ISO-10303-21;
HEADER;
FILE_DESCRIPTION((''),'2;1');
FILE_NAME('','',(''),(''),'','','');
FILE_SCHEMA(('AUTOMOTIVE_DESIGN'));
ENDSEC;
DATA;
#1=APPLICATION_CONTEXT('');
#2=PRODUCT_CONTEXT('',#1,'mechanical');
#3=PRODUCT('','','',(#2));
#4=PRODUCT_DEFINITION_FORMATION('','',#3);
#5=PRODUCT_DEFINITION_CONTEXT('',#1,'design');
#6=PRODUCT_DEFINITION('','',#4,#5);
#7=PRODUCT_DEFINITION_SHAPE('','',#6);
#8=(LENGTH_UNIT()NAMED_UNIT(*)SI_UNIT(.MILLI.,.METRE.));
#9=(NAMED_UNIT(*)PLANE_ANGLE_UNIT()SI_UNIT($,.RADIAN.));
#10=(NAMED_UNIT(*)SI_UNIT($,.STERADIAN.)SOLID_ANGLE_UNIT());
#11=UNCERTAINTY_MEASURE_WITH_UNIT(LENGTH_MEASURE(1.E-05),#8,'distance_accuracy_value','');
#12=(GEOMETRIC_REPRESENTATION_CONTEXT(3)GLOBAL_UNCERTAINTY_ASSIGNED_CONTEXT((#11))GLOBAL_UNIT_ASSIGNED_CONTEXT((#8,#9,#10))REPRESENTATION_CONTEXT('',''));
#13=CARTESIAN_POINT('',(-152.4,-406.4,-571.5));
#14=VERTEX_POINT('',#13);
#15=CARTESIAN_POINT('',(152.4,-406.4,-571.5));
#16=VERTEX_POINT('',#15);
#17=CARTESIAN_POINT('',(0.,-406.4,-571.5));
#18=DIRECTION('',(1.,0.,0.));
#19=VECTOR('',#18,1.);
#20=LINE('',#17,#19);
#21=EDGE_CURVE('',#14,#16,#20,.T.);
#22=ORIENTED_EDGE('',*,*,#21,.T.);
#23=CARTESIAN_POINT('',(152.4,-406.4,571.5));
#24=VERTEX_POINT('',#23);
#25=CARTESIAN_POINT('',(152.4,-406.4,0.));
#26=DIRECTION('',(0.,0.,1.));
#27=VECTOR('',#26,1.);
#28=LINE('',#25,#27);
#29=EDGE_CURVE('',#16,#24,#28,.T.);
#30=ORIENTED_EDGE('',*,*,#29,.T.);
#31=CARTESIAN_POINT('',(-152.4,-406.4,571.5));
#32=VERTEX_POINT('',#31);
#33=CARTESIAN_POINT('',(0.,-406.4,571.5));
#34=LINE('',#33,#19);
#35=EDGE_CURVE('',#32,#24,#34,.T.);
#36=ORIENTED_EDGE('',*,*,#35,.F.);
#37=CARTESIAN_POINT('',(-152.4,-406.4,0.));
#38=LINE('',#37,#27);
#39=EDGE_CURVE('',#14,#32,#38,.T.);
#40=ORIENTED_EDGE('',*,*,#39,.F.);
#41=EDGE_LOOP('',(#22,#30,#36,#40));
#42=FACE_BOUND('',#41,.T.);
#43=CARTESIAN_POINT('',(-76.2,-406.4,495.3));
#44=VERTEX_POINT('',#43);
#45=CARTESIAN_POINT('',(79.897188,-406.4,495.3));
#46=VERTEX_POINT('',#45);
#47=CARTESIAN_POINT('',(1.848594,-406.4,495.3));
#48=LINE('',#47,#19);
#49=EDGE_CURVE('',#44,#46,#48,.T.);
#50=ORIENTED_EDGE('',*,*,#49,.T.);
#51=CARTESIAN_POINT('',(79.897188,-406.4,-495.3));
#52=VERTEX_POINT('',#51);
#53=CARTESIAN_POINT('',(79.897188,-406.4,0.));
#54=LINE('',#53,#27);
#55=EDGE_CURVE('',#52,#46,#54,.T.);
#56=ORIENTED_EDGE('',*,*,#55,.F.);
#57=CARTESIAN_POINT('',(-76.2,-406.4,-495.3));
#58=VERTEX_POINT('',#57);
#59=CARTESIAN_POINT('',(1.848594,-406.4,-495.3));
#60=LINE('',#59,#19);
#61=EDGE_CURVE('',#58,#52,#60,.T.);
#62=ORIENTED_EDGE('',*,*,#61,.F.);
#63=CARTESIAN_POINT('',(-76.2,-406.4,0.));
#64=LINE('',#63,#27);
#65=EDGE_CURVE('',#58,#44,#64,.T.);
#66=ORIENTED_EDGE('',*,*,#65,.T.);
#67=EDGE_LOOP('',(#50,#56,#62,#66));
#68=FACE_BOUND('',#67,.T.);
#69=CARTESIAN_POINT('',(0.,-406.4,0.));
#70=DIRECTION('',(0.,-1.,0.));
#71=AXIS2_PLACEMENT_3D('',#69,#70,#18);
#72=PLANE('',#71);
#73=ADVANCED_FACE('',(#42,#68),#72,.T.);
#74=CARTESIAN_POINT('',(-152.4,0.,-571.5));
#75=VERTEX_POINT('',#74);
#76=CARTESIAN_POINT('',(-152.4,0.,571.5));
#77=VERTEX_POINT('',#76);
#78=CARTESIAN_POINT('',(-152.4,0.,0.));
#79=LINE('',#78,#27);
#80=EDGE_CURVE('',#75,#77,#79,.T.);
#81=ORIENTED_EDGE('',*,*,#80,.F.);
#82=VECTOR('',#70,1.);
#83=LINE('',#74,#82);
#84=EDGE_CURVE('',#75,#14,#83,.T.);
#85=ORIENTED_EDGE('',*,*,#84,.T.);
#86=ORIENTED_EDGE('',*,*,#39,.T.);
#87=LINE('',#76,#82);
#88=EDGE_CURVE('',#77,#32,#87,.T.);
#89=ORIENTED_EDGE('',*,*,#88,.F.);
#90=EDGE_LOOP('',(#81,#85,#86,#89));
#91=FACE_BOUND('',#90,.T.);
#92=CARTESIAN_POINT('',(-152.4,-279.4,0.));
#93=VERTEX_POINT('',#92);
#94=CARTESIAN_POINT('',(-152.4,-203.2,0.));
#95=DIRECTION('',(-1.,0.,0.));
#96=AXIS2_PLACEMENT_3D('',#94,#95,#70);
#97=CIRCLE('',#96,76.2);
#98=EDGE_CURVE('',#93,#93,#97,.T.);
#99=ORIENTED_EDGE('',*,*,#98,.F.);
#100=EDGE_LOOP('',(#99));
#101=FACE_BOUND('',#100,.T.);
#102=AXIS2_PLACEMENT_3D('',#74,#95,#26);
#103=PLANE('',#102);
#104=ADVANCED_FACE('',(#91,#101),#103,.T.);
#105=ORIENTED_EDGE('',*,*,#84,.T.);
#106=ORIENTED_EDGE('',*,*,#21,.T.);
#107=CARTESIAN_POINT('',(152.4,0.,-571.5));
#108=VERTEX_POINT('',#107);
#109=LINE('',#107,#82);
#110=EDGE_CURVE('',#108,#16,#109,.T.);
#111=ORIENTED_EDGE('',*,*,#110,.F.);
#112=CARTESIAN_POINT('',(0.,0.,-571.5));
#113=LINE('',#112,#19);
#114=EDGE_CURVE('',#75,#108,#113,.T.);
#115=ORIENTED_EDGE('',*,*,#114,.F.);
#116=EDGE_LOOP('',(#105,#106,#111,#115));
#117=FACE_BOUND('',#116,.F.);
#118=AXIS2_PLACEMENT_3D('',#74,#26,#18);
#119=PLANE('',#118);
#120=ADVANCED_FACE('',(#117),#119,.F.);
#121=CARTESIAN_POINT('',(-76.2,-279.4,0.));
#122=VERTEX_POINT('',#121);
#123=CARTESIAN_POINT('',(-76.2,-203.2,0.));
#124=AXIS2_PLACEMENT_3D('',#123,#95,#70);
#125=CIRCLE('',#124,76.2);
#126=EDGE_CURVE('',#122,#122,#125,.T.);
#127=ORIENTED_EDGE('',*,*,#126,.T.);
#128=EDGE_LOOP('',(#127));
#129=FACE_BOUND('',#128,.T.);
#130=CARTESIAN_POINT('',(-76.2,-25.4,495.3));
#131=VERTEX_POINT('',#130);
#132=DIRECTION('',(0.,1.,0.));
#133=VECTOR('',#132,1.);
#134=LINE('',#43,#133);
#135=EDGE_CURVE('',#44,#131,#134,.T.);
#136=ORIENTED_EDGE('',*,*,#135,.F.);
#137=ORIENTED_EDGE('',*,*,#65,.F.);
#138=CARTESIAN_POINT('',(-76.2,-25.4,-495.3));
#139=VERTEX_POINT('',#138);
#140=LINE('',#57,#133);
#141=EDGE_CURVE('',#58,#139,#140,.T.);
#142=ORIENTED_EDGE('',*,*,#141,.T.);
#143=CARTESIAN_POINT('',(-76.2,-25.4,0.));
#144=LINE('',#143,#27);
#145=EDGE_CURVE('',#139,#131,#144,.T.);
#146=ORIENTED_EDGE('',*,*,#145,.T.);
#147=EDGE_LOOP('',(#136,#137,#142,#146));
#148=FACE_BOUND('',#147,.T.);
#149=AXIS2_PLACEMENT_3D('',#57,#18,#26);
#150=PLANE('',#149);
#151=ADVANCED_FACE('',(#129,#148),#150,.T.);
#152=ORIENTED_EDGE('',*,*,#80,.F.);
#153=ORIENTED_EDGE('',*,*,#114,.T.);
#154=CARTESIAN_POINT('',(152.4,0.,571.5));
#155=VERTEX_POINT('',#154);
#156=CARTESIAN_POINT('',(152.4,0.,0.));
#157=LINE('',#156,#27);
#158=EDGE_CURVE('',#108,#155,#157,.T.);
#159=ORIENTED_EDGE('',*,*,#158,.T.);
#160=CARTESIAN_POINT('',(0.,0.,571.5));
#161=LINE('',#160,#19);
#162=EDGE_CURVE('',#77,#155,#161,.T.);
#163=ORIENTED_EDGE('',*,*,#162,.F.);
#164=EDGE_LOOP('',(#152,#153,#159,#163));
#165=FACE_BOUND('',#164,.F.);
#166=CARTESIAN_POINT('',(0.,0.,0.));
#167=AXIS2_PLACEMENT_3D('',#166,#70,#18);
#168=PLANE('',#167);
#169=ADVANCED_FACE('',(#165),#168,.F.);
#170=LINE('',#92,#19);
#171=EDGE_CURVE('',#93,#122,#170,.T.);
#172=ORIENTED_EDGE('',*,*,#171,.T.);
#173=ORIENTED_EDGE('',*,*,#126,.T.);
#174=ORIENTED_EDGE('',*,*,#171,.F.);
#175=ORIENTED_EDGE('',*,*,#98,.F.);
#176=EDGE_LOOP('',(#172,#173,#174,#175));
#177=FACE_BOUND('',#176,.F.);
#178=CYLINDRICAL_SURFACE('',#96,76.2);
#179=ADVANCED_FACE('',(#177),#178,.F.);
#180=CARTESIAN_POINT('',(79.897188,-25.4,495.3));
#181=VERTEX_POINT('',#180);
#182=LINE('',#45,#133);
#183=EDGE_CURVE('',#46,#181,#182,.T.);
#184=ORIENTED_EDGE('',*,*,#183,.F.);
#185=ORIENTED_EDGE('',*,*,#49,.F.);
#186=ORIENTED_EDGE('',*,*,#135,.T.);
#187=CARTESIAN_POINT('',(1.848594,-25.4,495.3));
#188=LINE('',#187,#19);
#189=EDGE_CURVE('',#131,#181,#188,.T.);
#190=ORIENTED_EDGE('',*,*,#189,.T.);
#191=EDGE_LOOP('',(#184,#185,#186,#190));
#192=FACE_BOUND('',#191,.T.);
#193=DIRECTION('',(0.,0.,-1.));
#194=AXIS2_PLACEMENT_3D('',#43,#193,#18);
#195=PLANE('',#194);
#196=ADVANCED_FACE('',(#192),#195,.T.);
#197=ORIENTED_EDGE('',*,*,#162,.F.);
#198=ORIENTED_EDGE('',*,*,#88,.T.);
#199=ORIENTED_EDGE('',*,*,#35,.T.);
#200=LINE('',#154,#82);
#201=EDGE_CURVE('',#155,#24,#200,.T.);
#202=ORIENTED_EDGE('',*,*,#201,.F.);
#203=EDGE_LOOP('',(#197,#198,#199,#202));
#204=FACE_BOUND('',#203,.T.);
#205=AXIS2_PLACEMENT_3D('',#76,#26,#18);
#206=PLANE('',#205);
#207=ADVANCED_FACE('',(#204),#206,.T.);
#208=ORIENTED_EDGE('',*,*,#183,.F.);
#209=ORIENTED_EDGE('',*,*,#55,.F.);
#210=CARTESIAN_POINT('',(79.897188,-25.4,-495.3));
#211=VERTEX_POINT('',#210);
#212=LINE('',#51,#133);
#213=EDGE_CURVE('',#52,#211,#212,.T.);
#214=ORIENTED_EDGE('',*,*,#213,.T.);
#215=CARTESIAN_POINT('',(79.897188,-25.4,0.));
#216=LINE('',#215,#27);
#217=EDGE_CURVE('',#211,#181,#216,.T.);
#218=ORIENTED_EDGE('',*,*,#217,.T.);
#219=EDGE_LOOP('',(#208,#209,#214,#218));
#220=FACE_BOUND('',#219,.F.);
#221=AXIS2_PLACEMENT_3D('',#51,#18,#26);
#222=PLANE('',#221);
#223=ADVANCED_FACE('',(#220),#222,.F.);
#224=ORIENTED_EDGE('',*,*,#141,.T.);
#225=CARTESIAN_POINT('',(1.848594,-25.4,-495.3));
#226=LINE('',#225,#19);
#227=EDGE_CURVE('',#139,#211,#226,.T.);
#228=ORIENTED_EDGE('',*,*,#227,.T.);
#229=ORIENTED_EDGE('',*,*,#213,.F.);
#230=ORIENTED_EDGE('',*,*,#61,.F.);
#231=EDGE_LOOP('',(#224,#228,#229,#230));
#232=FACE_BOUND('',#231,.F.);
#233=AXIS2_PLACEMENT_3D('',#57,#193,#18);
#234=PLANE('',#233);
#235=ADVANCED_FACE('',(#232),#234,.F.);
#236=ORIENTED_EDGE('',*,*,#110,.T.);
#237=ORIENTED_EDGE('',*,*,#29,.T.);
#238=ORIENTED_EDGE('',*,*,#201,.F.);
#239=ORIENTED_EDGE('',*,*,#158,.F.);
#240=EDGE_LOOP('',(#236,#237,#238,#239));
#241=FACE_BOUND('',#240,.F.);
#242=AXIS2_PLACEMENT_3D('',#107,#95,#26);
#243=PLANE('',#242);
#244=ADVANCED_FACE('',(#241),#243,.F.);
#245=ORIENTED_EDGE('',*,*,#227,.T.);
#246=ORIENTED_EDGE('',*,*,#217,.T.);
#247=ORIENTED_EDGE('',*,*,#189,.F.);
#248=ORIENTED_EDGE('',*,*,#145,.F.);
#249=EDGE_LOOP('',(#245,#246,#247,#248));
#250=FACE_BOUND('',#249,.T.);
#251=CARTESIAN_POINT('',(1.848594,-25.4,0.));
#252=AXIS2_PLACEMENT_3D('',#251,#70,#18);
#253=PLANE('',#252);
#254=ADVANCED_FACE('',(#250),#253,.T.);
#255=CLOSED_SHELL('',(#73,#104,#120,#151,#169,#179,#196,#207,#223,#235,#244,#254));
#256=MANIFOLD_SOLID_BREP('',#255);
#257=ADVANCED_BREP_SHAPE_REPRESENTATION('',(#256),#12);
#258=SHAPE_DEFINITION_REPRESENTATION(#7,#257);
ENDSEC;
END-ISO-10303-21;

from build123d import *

# Parameters (mm, degrees)
F0_W     = 304.8
F0_H     = 1143
F1_DEPTH = 406.4
F2_W     = 156.097188
F2_H     = 990.6
F3_DEPTH = 381
F4_R     = 76.2
F5_DEPTH = 76.2


with BuildPart() as f1:
    # F0 (on Front) → F1 (new body)
    with BuildSketch(Plane.XZ):
        Rectangle(F0_W, F0_H)
    extrude(amount=F1_DEPTH)

    # F2 (on face) → F3 (cut)
    with BuildSketch(Plane.XZ.offset(406.4)):
        with Locations((1.848594, 0)):
            Rectangle(F2_W, F2_H)
    extrude(amount=-F3_DEPTH, mode=Mode.SUBTRACT)

    # F4 (on face) → F5 (cut)
    with BuildSketch(Plane(origin=(-152.4, 0, 0), x_dir=(0, -1, 0), z_dir=(-1, 0, 0))):
        with Locations((203.2, 0)):
            Circle(F4_R)
    extrude(amount=-F5_DEPTH, mode=Mode.SUBTRACT)


solid = f1.part
